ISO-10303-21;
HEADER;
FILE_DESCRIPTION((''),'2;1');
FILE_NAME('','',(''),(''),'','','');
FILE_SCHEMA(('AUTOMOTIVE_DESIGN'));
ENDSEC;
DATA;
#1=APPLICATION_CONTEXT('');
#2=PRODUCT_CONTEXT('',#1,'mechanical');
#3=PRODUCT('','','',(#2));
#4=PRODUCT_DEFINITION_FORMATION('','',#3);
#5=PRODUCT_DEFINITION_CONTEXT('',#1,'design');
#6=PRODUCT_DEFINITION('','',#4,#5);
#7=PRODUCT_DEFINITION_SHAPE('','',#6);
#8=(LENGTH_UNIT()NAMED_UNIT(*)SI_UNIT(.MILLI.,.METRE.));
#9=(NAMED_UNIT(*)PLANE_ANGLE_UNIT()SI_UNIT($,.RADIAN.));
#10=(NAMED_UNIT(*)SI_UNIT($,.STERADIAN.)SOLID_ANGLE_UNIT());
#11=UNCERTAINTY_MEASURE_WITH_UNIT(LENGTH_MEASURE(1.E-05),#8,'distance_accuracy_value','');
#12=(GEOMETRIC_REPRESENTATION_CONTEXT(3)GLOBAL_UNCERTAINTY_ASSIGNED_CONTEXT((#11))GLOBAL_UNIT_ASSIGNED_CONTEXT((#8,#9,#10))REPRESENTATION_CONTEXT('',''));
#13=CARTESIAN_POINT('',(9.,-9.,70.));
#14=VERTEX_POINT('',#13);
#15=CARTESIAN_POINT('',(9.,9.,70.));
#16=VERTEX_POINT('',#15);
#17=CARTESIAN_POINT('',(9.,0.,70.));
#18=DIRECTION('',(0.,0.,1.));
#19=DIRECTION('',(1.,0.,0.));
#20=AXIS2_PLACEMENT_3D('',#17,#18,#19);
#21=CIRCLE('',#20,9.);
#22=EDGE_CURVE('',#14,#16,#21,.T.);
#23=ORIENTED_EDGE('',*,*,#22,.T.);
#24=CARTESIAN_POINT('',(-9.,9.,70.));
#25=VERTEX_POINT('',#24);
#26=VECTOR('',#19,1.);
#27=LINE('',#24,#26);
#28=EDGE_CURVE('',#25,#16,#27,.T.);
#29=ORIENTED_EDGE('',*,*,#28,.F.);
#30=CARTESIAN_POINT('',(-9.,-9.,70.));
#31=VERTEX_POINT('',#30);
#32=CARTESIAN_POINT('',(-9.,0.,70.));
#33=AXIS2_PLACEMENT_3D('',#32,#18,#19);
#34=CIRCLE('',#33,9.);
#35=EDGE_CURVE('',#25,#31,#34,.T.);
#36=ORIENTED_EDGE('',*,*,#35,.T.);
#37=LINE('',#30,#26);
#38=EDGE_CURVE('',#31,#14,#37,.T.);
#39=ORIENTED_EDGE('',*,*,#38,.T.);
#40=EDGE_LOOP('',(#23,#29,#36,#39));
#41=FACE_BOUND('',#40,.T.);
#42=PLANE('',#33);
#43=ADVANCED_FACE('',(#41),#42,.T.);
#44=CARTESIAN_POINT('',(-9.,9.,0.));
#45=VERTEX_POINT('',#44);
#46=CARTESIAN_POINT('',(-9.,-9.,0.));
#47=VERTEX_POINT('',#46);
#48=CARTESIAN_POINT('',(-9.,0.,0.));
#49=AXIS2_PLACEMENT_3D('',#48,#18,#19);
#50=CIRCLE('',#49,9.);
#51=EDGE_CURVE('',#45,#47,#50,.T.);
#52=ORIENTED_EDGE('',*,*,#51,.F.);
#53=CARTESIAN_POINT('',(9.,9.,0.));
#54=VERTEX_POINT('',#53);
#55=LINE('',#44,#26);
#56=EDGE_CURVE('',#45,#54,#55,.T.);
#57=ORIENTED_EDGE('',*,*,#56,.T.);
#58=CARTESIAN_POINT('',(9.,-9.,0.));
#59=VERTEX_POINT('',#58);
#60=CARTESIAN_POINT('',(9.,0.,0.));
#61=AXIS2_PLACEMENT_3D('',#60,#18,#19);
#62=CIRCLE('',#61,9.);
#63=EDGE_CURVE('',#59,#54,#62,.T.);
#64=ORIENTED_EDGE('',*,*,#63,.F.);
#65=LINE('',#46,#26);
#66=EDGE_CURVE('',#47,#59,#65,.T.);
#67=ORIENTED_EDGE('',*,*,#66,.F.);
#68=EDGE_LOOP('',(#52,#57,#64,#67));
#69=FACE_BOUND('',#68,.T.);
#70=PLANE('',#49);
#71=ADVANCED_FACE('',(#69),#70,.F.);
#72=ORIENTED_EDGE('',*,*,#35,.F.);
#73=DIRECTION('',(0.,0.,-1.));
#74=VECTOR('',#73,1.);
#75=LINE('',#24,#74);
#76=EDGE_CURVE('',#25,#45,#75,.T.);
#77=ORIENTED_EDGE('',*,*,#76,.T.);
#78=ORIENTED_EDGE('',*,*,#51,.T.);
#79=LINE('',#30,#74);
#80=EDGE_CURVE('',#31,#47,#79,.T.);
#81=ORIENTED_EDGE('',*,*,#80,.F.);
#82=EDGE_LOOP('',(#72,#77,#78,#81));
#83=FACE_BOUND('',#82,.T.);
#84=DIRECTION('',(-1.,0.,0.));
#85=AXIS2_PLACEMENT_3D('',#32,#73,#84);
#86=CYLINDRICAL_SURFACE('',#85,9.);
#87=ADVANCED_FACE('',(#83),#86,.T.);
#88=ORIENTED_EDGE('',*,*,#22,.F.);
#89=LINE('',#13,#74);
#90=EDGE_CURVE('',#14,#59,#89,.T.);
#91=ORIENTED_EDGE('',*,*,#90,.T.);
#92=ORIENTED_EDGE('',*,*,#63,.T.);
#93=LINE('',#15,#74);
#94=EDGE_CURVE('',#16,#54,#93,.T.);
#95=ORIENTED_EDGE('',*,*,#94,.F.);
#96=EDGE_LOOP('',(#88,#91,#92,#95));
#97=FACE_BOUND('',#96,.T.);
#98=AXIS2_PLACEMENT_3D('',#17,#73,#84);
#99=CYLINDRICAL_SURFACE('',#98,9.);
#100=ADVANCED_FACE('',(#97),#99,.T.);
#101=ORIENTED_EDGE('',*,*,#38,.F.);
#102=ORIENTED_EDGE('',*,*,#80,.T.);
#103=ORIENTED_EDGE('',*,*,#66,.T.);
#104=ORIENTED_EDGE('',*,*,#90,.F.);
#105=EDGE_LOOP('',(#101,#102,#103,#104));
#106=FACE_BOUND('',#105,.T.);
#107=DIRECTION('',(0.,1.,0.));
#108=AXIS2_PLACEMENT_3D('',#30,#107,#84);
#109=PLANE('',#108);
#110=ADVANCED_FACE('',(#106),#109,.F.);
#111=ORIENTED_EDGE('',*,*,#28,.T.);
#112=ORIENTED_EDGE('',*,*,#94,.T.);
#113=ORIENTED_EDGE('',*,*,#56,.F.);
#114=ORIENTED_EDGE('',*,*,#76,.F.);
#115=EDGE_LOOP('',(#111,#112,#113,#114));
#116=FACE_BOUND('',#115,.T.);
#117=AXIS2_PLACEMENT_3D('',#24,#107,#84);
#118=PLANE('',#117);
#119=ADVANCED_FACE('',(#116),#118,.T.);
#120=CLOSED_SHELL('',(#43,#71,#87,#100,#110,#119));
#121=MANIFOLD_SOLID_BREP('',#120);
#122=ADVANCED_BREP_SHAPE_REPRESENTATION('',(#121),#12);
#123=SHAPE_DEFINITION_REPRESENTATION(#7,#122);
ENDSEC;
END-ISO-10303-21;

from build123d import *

# Parameters (mm, degrees)
BOSS_EXTRUDE1_DEPTH = 70


with BuildPart() as part:
    # Sketch1 → Boss-Extrude1 (new body)
    with BuildSketch(Plane.XY):
        with BuildLine():
            Line((-9, 9), (9, 9))
            ThreePointArc((9, 9), (18, 0), (9, -9))
            Line((9, -9), (-9, -9))
            ThreePointArc((-9, -9), (-18, 0), (-9, 9))
        make_face()
    extrude(amount=BOSS_EXTRUDE1_DEPTH)


solid = part.part
